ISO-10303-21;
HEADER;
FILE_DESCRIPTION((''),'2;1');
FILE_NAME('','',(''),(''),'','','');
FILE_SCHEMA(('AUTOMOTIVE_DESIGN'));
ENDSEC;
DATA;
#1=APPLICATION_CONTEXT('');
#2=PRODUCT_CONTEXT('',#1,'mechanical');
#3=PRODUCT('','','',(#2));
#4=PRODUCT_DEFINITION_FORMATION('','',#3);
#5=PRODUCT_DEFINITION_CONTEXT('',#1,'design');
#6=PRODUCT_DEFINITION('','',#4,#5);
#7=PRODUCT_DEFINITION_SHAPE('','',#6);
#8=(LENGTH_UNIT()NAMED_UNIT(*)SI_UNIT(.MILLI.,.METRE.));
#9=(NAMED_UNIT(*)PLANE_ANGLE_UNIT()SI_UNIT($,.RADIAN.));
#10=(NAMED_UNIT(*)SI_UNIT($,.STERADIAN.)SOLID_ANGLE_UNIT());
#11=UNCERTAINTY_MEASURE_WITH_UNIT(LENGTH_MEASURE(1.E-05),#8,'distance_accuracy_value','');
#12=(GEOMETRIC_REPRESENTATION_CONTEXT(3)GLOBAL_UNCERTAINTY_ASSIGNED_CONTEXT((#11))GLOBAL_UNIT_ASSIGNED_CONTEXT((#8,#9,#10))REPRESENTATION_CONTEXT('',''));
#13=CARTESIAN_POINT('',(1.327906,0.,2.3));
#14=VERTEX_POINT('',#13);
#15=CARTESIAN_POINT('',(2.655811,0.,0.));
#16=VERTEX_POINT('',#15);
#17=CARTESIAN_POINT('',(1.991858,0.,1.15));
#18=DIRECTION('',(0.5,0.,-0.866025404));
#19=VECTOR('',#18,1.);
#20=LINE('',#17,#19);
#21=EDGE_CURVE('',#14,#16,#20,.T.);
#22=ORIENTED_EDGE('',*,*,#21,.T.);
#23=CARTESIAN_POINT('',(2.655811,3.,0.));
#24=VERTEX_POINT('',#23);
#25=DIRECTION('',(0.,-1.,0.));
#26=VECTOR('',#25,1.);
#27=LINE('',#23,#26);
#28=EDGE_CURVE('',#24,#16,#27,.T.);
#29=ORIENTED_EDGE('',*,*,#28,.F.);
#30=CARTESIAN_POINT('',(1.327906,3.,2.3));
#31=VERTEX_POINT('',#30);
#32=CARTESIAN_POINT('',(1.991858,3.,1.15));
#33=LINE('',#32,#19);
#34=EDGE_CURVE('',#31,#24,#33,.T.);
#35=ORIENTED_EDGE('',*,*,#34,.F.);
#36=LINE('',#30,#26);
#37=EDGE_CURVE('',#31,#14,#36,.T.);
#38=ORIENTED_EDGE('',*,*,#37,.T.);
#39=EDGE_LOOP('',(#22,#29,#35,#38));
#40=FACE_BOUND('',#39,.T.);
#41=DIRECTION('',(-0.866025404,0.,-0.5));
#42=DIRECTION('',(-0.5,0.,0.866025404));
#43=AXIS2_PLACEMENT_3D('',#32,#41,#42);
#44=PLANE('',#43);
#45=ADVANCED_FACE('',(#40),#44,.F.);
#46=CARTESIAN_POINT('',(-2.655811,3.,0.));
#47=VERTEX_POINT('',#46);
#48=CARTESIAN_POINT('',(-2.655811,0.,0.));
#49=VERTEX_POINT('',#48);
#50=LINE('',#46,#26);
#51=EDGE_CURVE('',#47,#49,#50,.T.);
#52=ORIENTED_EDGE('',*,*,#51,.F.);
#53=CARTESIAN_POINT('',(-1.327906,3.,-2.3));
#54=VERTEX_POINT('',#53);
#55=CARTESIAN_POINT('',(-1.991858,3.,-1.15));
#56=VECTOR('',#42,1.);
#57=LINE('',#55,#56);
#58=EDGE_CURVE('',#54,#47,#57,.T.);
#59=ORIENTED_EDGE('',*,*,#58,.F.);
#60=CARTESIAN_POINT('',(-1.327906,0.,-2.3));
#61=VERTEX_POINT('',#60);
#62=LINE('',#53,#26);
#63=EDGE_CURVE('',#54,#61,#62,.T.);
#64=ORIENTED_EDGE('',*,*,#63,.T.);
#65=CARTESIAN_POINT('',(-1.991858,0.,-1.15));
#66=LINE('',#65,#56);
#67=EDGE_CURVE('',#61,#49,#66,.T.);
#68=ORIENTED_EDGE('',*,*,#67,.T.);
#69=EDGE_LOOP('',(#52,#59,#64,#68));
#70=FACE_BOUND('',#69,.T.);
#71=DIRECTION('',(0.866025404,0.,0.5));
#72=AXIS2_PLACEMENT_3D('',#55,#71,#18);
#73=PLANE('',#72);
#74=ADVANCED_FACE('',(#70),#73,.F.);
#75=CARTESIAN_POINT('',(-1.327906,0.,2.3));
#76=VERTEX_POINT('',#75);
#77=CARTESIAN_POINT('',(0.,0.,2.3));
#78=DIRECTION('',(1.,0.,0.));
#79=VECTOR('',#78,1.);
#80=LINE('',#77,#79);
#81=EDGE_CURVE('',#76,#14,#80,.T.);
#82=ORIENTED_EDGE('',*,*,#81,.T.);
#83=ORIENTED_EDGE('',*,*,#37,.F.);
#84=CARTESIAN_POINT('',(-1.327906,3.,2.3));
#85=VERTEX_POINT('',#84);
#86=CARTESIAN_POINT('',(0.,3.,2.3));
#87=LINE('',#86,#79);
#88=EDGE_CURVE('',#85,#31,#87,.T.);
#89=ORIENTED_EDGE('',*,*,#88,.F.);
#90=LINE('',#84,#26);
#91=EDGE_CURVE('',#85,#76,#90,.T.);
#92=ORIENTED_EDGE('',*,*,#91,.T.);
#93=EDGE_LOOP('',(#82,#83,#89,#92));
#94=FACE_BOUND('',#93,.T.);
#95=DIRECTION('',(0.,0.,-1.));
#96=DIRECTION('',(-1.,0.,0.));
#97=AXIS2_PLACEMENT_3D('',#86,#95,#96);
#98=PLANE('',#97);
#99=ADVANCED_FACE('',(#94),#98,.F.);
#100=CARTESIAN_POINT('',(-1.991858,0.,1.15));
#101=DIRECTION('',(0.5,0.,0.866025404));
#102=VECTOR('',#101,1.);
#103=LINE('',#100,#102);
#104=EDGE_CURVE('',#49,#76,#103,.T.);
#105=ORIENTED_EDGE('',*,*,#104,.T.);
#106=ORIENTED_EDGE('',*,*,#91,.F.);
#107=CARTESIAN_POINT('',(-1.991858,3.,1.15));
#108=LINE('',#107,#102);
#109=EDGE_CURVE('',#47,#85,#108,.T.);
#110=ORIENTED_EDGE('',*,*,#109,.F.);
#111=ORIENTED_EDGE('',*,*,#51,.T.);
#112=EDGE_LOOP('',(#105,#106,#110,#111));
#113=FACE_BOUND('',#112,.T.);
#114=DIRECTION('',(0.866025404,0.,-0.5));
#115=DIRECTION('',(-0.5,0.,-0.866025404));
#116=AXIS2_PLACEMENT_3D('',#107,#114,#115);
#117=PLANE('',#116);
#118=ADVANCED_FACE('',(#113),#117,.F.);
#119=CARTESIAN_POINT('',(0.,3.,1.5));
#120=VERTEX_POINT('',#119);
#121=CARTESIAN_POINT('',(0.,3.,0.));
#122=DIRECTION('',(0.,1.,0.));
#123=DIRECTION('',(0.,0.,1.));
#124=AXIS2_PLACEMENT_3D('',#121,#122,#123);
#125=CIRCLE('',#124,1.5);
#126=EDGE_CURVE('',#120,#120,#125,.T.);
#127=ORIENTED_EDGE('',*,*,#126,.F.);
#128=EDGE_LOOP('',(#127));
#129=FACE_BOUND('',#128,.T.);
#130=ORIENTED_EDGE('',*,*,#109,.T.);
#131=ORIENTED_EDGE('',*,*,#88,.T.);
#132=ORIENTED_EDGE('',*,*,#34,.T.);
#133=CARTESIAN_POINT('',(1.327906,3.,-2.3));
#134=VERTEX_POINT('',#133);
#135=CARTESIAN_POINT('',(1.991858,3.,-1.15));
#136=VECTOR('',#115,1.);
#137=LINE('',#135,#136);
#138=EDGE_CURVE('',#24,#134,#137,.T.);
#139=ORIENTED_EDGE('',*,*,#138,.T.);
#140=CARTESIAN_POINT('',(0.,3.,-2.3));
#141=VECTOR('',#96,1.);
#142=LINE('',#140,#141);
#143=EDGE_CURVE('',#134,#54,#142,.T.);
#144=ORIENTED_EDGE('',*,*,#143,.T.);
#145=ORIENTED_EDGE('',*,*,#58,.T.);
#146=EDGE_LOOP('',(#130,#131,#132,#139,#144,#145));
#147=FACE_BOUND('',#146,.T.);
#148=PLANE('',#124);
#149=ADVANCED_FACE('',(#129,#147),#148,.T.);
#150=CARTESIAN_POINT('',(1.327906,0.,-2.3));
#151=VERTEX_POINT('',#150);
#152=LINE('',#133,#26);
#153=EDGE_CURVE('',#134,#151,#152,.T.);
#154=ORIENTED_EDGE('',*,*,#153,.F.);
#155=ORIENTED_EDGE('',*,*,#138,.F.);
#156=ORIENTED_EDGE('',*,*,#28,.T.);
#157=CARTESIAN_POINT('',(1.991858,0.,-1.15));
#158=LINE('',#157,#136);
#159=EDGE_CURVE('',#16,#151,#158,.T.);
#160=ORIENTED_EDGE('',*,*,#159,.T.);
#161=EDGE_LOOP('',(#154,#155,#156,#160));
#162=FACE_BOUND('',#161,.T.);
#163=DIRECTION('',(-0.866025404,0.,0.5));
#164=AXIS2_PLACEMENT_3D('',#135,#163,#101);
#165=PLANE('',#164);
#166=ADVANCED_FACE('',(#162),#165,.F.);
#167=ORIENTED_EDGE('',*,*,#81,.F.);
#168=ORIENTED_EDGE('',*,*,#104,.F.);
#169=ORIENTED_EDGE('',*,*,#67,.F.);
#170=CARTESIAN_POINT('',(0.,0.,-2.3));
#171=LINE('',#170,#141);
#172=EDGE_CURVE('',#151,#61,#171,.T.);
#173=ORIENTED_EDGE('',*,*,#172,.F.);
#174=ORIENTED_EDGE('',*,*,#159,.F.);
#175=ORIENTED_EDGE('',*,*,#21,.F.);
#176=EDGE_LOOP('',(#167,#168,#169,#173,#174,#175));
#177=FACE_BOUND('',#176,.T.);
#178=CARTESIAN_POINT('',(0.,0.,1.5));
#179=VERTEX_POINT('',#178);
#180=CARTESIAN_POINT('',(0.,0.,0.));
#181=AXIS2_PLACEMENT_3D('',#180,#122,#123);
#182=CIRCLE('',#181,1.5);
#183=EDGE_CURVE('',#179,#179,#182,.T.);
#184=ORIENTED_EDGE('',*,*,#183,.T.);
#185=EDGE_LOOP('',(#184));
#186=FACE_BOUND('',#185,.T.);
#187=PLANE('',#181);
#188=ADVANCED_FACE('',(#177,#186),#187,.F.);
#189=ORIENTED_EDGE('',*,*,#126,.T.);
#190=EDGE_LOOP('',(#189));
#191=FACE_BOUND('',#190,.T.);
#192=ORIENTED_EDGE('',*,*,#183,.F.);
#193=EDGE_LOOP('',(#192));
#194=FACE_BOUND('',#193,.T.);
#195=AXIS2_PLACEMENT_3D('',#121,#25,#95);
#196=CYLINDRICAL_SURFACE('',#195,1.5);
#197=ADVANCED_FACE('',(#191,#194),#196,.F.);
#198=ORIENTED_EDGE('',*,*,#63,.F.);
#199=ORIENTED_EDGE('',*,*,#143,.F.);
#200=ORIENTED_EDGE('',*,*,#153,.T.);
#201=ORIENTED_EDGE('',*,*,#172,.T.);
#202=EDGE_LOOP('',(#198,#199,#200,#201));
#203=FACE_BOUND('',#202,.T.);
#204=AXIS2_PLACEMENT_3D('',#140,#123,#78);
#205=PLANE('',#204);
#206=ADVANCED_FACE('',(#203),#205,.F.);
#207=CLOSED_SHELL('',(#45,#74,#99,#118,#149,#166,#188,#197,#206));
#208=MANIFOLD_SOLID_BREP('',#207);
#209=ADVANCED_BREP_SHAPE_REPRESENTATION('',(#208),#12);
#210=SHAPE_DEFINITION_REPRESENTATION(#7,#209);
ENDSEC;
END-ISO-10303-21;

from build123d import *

# Parameters (mm, degrees)
SKETCH_1_R      = 1.5
EXTRUDE_2_DEPTH = 3


with BuildPart() as part:
    # 草图1 → 凸台-拉伸2 (new body)
    with BuildSketch(Plane(origin=(0, 0, 0), x_dir=(1, 0, 0), z_dir=(0, 1, 0))):
        Polygon((-1.327905619, 2.3), (-2.655811238, 0), (-1.327905619, -2.3), (1.327905619, -2.3), (2.655811238, 0), (1.327905619, 2.3), align=None)
        Circle(SKETCH_1_R, mode=Mode.SUBTRACT)
    extrude(amount=EXTRUDE_2_DEPTH)


solid = part.part
